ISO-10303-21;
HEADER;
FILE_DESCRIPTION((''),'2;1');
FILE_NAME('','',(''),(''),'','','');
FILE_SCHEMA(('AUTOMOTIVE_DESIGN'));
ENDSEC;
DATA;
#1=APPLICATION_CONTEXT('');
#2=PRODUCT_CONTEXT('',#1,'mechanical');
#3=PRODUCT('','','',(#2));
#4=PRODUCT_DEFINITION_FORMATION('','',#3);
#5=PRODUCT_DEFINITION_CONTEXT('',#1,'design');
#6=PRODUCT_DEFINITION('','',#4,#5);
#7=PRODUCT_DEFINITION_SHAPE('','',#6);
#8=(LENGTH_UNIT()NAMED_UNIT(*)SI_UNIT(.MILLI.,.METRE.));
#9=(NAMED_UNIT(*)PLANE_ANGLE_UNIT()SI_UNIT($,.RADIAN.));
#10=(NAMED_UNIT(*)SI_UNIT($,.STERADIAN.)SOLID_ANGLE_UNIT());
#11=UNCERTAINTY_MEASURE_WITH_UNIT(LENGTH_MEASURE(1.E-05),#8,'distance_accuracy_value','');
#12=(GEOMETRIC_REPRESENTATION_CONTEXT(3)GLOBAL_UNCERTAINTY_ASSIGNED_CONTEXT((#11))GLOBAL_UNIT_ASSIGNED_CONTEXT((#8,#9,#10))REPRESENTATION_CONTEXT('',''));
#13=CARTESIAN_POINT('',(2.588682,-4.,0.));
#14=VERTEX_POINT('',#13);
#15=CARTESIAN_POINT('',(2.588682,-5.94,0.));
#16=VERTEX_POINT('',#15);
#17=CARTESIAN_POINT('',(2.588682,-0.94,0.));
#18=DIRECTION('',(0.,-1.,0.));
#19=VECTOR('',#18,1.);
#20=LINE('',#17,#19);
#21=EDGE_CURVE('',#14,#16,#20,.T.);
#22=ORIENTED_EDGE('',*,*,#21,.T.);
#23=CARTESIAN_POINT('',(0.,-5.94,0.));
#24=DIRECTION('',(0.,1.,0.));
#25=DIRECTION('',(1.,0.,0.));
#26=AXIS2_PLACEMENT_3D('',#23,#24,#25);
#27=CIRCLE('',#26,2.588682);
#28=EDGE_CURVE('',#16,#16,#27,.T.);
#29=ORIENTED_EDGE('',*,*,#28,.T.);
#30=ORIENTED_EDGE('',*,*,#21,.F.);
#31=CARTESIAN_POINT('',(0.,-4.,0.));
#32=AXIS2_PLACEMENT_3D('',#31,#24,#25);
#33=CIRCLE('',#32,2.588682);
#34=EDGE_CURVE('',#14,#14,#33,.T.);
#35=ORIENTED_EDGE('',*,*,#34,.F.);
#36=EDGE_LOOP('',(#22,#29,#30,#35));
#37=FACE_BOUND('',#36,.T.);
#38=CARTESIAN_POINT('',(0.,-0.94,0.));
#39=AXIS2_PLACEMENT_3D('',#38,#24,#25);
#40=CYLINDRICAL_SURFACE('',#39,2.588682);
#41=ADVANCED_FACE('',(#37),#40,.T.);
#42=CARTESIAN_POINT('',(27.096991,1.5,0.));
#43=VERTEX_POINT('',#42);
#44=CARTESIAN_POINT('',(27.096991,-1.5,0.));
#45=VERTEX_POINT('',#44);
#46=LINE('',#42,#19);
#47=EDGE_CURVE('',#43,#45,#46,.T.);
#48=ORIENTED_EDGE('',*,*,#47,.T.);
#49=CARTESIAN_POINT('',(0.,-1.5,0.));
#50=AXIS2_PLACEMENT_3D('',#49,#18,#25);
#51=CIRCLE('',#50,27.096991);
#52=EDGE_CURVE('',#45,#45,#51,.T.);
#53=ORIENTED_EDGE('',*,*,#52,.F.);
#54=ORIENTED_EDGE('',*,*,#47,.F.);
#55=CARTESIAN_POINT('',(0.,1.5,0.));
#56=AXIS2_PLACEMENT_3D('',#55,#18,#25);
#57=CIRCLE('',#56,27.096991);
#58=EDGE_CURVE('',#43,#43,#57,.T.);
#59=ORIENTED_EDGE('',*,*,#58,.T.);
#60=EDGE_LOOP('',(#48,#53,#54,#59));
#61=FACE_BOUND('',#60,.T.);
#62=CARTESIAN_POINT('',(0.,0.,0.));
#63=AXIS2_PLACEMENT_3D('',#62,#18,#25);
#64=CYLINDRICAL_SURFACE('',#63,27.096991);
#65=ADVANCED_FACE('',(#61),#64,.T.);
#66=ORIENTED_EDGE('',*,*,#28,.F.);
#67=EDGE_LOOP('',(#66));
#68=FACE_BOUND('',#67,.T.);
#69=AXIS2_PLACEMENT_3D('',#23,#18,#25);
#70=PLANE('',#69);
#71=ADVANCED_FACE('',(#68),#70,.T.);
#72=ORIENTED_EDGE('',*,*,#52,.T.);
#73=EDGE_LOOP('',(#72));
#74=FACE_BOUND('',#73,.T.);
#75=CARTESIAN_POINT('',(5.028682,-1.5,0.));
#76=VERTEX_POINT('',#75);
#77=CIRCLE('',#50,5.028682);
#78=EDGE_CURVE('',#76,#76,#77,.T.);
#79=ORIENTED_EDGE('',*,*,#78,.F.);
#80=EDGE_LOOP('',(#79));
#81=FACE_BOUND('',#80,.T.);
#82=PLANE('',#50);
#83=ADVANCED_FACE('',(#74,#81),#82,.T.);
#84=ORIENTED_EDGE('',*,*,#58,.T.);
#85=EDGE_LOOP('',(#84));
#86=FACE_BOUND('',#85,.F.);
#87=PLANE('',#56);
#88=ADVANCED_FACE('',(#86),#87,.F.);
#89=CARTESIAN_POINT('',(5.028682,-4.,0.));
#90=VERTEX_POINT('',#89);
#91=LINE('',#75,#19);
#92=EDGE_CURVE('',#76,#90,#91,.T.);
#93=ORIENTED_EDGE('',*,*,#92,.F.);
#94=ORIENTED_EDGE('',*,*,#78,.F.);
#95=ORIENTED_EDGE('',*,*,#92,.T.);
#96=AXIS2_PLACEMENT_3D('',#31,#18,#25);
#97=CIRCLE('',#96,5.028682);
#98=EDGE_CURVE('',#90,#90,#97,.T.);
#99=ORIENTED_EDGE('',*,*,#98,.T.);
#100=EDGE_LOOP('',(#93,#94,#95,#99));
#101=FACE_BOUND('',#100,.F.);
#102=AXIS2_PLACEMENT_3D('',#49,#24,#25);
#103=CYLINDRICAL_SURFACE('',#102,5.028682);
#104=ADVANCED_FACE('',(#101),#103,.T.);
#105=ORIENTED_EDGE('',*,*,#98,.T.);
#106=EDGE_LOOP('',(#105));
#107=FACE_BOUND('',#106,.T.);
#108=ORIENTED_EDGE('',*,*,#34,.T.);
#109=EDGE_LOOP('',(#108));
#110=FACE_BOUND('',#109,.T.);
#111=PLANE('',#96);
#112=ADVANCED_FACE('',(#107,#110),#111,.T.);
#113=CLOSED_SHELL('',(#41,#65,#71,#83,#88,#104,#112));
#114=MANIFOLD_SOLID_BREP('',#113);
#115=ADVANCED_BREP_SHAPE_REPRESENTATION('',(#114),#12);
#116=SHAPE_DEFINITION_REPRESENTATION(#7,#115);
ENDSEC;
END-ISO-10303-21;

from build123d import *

# Parameters (mm, degrees)
F0_R     = 27.0969905712
F1_DEPTH = 1.5
F2_R     = 5.028682338
F3_DEPTH = 2.5
F4_T     = -2.44
F5_DEPTH = 5


with BuildPart() as f1:
    # F0 (on Front) → F1 (new body, symmetric)
    with BuildSketch(Plane.XZ):
        Circle(F0_R)
    extrude(amount=F1_DEPTH, both=True)

    # F2 (on face) → F3 (join)
    with BuildSketch(Plane.XZ.offset(1.5)):
        Circle(F2_R)
    extrude(amount=F3_DEPTH)

    # F4
    f4_openings = [f1.faces().sort_by_distance(p)[0] for p in [
        (0, -4, 0),
    ]]
    offset(amount=F4_T, openings=f4_openings, kind=Kind.INTERSECTION)

    # F5 (add): a face of the model
    f5_faces = [f1.faces().sort_by_distance(p)[0] for p in [
        (0, -0.94, 0),
    ]]
    extrude(f5_faces, amount=F5_DEPTH)


solid = f1.part
